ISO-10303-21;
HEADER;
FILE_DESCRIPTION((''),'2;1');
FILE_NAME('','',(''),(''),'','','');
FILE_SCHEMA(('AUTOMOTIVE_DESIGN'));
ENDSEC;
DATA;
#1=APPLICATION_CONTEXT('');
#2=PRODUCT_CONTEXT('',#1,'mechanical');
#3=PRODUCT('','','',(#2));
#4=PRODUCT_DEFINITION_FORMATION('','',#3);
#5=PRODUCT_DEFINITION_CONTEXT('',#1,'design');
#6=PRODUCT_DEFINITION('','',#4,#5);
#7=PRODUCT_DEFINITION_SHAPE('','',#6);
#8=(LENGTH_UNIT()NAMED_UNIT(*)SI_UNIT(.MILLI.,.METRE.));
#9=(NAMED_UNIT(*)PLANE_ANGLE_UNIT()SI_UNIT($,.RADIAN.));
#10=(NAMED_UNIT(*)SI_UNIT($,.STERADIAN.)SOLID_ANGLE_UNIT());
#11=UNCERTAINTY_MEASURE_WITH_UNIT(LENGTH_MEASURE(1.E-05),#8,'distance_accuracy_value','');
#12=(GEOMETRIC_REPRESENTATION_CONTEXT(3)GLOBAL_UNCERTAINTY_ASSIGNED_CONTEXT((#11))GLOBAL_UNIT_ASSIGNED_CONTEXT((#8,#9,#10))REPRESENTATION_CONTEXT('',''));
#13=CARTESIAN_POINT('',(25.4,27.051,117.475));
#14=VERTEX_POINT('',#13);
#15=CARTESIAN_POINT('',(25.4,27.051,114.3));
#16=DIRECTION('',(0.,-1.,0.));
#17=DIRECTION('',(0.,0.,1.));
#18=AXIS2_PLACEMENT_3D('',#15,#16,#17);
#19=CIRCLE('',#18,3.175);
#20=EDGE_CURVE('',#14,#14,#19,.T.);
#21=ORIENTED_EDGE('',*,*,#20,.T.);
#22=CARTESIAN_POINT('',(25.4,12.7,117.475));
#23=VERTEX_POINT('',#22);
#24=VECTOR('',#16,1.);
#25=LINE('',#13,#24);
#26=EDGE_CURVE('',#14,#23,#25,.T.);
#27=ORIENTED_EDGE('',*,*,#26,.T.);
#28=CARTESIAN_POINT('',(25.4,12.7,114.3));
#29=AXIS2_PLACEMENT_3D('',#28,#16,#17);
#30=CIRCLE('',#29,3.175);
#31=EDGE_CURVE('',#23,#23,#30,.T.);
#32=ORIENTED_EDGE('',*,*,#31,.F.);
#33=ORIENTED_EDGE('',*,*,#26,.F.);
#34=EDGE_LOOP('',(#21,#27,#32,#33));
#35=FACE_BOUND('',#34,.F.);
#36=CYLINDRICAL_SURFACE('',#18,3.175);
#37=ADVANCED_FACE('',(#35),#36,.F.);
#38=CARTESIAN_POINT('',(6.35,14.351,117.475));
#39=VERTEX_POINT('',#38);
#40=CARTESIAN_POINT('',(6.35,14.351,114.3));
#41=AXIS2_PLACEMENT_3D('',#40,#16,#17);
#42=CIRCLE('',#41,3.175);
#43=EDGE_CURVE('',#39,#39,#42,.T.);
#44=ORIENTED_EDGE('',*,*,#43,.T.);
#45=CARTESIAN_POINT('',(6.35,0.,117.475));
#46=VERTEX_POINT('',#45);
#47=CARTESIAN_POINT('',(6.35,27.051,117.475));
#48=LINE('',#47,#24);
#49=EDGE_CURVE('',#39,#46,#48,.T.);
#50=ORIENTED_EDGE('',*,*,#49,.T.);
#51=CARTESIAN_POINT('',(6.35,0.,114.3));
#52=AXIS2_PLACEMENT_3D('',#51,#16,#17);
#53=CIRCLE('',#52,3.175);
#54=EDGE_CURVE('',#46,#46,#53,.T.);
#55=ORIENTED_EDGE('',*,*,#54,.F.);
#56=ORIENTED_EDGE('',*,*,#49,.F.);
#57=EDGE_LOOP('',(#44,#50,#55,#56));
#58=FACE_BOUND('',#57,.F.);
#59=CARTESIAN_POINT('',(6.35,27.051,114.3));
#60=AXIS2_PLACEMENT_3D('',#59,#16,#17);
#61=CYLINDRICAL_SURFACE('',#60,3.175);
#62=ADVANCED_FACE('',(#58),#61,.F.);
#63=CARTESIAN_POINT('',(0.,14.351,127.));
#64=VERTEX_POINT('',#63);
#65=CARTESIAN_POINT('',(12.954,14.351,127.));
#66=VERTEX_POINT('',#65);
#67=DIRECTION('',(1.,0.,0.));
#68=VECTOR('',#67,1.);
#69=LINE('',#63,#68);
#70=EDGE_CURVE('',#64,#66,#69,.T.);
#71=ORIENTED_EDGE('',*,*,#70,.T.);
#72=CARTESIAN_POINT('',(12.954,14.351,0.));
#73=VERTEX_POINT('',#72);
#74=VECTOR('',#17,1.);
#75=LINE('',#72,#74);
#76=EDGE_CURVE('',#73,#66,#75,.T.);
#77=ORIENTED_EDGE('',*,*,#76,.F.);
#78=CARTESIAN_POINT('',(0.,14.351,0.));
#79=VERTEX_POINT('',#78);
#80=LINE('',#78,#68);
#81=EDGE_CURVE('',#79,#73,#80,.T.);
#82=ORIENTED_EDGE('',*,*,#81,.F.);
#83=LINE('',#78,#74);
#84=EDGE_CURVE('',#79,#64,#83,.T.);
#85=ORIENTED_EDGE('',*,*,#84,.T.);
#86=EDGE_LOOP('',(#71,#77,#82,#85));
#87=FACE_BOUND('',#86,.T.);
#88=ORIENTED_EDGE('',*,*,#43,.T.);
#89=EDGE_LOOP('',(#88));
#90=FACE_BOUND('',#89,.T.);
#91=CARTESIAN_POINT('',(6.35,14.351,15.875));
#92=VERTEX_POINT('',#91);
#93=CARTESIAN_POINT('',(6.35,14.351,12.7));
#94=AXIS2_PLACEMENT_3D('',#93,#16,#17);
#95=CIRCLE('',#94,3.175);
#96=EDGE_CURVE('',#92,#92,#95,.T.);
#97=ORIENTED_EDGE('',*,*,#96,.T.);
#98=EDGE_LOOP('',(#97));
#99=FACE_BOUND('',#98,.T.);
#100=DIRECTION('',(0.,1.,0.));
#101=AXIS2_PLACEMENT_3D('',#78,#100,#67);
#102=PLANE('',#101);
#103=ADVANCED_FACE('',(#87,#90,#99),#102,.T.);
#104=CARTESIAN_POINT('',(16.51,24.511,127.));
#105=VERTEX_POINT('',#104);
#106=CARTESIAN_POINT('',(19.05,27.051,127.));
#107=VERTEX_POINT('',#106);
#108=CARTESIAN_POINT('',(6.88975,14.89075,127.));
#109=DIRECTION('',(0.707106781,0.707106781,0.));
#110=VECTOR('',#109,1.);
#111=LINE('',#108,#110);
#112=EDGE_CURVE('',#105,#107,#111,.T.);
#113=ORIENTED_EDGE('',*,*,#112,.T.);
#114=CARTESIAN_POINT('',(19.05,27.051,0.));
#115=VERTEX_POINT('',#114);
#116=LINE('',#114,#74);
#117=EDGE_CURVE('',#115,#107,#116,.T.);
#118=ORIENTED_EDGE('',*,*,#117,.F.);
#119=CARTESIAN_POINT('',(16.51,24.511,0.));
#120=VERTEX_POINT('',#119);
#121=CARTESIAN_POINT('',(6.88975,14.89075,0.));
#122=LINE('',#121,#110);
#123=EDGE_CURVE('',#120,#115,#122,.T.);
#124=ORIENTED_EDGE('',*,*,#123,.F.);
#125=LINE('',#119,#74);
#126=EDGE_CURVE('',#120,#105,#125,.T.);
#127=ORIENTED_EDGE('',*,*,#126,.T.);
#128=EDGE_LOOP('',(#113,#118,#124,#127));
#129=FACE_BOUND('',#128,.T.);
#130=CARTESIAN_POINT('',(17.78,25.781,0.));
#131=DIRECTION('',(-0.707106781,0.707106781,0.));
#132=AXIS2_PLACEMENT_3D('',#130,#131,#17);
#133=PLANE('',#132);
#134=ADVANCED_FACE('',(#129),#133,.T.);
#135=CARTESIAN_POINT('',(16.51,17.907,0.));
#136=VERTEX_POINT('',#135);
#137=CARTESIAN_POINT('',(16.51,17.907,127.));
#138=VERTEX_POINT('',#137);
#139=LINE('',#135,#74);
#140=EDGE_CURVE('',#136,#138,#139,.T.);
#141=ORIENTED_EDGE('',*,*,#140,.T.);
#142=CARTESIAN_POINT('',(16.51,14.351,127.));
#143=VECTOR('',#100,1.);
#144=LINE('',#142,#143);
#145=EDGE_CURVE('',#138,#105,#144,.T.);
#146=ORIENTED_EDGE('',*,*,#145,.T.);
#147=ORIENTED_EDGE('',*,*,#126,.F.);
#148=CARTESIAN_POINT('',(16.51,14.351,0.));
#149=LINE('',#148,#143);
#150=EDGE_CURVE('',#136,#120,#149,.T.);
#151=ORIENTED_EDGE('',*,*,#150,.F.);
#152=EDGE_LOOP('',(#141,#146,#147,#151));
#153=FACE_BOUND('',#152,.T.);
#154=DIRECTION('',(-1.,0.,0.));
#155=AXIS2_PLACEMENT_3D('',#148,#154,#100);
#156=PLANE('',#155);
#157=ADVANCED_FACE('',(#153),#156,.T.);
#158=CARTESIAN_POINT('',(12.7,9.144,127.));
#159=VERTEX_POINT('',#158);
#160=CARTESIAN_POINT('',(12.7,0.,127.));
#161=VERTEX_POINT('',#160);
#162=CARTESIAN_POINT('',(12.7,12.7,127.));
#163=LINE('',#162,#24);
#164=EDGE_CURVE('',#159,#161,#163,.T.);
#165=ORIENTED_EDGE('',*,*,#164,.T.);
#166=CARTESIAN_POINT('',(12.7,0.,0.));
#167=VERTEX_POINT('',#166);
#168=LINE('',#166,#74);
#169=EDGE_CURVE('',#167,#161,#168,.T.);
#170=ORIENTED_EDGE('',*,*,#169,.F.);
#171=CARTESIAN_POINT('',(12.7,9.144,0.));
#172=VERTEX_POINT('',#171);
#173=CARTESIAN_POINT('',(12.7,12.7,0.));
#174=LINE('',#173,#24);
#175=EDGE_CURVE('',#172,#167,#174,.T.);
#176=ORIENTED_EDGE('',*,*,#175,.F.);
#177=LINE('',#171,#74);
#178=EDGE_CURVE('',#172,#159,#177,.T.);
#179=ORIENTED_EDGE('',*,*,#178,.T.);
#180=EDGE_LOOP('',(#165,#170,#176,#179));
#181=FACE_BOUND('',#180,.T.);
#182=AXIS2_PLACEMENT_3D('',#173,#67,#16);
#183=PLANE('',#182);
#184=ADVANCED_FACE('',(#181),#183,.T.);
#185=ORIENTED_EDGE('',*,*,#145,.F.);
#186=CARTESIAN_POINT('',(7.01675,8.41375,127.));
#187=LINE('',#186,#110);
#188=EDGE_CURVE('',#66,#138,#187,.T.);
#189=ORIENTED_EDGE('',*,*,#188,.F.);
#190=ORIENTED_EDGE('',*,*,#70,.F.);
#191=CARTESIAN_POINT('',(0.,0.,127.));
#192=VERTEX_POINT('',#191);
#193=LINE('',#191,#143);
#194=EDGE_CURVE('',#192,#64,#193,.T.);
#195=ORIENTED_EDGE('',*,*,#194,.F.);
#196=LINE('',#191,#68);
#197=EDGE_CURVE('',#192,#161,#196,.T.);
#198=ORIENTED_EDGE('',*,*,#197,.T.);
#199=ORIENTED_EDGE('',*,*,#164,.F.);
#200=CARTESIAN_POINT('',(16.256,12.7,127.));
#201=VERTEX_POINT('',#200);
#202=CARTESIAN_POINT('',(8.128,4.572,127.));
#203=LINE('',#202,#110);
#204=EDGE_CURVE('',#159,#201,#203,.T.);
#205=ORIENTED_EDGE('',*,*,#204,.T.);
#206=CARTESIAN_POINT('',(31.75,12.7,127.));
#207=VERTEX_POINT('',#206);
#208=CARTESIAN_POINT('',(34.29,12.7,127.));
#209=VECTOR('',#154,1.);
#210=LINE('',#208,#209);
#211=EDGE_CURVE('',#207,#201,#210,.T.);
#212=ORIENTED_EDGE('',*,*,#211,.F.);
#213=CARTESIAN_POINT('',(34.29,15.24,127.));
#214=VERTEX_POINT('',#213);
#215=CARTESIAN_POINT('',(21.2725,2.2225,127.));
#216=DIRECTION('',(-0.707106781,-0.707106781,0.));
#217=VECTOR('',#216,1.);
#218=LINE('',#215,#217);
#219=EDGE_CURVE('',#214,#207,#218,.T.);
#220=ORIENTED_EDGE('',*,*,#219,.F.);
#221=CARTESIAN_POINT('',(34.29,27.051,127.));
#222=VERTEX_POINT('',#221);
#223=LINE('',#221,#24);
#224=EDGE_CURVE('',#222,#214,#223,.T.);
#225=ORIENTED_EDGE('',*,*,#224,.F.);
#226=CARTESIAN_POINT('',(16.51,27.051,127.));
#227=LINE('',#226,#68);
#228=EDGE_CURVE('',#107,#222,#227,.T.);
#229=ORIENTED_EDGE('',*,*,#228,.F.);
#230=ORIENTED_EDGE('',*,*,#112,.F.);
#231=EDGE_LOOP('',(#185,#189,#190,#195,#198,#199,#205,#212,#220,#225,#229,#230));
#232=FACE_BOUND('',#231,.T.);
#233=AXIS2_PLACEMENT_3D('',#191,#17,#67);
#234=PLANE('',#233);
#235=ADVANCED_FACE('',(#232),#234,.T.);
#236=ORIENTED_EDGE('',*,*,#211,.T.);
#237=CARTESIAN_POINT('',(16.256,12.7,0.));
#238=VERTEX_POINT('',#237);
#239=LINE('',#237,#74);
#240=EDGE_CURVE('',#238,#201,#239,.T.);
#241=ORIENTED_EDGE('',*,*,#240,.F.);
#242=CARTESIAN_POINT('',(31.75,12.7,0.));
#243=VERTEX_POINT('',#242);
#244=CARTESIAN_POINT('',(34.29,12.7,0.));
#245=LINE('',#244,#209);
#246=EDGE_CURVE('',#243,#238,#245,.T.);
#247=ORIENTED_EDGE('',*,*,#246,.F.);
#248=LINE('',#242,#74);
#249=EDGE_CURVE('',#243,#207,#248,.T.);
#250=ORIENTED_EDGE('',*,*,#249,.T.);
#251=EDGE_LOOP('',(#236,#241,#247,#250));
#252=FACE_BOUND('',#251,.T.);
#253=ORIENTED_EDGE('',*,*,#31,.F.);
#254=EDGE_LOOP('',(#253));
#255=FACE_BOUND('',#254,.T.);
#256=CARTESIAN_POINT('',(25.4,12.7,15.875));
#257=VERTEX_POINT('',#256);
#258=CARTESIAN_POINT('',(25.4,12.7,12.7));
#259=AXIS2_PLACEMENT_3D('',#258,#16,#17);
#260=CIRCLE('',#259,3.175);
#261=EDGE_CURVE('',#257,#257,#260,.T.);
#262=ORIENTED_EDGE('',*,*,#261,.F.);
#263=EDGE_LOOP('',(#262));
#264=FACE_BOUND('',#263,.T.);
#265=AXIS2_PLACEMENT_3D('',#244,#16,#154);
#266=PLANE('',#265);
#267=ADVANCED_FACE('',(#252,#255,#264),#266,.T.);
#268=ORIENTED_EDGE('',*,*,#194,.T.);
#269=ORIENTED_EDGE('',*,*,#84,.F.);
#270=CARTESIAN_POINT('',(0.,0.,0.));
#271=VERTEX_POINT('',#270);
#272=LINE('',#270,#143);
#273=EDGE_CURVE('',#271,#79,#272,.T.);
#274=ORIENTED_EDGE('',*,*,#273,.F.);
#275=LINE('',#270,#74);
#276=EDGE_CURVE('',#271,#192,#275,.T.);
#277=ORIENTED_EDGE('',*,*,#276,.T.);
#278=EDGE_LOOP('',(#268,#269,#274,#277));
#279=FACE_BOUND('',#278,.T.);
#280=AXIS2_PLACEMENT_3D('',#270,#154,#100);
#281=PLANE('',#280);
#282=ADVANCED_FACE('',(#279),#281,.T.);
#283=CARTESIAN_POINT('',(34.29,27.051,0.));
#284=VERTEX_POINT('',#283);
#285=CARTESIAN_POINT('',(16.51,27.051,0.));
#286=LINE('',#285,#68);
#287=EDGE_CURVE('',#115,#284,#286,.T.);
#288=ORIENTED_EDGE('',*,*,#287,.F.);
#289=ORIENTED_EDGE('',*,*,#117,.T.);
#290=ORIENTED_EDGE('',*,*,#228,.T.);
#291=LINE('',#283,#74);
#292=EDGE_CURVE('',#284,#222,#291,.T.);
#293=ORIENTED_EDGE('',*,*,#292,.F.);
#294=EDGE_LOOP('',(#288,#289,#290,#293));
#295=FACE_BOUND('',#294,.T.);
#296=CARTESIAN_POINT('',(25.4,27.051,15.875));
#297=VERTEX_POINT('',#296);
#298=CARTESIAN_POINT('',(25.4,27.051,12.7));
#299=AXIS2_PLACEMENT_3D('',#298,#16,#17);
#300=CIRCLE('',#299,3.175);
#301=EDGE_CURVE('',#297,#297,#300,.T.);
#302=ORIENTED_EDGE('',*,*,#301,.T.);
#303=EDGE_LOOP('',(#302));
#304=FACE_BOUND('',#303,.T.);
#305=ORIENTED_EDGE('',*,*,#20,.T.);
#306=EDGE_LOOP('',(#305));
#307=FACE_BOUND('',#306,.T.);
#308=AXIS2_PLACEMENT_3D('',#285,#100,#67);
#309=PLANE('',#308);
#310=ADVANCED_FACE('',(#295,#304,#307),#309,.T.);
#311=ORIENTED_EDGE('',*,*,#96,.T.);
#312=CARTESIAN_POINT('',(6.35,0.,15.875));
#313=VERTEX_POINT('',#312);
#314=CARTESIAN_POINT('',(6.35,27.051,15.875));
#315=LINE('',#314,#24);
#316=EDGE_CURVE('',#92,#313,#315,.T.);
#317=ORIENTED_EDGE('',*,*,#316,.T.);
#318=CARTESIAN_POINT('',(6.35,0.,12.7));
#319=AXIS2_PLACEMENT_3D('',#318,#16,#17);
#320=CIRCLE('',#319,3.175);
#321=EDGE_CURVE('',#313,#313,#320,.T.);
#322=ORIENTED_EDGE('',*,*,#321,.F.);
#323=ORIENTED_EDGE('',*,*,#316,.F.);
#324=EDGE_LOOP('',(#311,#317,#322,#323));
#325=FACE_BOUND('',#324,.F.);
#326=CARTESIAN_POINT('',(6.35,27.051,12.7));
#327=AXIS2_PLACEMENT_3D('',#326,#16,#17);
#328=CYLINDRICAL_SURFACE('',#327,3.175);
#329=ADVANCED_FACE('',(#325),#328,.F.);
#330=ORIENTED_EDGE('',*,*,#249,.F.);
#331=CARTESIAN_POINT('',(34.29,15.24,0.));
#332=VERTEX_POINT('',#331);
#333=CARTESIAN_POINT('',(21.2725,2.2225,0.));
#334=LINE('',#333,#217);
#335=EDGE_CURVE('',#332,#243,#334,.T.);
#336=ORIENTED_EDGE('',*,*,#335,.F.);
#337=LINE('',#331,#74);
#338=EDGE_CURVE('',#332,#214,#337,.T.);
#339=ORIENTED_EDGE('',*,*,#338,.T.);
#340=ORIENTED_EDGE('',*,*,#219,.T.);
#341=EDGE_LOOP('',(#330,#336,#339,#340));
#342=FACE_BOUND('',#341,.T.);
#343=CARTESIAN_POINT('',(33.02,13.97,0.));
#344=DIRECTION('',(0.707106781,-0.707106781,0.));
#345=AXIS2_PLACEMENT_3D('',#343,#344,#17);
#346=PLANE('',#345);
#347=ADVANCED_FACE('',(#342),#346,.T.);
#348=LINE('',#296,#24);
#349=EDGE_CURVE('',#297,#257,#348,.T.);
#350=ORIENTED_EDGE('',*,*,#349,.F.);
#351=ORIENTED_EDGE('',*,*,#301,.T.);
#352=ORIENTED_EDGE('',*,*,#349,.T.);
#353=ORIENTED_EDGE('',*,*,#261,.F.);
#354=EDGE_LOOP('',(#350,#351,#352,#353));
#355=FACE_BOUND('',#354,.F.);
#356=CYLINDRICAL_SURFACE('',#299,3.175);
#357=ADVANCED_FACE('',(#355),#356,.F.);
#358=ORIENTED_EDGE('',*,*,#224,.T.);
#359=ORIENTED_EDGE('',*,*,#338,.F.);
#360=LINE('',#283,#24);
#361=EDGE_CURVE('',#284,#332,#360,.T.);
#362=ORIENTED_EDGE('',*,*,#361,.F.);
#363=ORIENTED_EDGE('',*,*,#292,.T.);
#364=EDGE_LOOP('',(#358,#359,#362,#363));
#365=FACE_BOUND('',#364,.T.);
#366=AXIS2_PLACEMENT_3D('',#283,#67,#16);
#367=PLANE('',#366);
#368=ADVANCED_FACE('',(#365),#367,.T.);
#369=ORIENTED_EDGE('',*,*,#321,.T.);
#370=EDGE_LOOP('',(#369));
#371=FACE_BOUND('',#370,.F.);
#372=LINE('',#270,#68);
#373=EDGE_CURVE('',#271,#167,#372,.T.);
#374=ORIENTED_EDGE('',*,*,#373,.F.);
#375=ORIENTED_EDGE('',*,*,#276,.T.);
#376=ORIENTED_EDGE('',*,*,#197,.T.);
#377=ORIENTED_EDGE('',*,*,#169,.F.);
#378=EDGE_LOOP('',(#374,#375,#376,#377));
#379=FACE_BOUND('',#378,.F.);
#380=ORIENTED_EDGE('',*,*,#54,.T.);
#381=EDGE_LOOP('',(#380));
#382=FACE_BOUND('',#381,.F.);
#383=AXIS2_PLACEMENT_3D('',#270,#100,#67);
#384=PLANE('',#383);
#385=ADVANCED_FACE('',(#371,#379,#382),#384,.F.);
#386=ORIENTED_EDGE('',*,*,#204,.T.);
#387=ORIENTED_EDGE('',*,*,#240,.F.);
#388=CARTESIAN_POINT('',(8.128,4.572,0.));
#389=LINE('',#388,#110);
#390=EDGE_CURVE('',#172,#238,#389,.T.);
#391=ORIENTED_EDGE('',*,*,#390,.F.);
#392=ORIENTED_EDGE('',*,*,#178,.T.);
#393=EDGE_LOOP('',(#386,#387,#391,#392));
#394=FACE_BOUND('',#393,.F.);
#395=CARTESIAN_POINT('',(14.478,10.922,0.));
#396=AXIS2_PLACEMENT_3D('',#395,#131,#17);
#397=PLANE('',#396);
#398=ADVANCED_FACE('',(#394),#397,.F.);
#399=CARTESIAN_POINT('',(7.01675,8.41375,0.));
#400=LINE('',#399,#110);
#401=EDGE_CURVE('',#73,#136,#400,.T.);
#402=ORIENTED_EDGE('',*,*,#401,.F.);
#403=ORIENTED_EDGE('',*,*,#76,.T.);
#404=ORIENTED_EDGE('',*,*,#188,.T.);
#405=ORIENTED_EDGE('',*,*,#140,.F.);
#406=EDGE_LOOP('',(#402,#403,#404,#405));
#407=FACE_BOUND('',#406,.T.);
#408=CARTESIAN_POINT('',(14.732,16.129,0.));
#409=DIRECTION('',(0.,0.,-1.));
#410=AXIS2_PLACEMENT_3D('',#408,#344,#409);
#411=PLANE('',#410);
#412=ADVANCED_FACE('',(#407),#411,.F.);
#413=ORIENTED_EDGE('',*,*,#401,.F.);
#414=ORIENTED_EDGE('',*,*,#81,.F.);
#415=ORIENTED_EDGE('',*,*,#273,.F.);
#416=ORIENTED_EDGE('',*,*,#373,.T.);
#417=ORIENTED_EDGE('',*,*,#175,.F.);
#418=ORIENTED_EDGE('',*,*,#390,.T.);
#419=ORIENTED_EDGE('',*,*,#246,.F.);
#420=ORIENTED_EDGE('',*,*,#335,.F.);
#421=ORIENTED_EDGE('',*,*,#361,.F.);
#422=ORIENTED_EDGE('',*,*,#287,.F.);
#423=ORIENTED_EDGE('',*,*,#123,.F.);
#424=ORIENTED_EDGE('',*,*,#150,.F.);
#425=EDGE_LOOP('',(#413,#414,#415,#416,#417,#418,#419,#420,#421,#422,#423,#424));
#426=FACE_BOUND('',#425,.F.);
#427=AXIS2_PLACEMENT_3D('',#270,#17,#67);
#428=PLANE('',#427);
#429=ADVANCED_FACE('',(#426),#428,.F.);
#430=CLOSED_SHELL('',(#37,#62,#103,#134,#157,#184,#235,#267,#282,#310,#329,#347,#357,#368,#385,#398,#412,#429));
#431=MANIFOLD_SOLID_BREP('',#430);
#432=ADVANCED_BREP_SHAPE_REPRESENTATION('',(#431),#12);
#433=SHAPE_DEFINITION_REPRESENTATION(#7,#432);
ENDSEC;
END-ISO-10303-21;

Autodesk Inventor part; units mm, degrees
ref_plane "YZ Plane" through (0, 0, 0) normal (1, 0, 0) x (0, 1, 0)
ref_plane "XZ Plane" through (0, 0, 0) normal (0, 1, 0) x (-1, 0, 0)
ref_plane "XY Plane" through (0, 0, 0) normal (0, 0, 1) x (1, 0, 0)
sketch "Sketch1" plane through (0, 0, 0) normal (0, 0, 1) x (1, 0, 0)
  line L0 (0, 0) -> (0, 14.351)
  line L1 (0, 0) -> (14.351, 0) construction
  line L2 (0, 14.351) -> (16.51, 14.351)
  line L3 (16.51, 14.351) -> (16.51, 27.051)
  line L4 (16.51, 27.051) -> (34.29, 27.051)
  line L5 (34.29, 27.051) -> (34.29, 12.7)
  line L6 (34.29, 12.7) -> (12.7, 12.7)
  line L7 (12.7, 12.7) -> (12.7, 0)
  line L8 (0, 0) -> (12.7, 0)
  dimension "d0" = 14.351
  dimension "d2" = 16.51
  dimension "d6" = 17.78
  dimension "d9" = 21.59
  dimension "d47" = 14.351
  dimension "d49" = 12.7
extrude "Extrusion1" add sketch "Sketch1" along normal blind 127
sketch "Sketch3" plane through (16.51, 27.051, 0) normal (0, 1, 0) x (1, 0, 0)
  line L0 (0, -127) -> (-16.51, -127) projected
  line L1 (-16.51, 0) -> (0, 0) projected
  line L2 (-16.51, 0) -> (-16.51, -127) projected
  point P0 (-10.16, -12.7)
  point P1 (-10.16, -114.3)
  dimension "d25" = 12.7
  dimension "d26" = 12.7
  dimension "d27" = 6.35
  dimension "d28" = 6.35
hole "Hole2" at (6.35, 27.051, 12.7) at (6.35, 27.051, 114.3) direction (0, -1, 0) diameter 6.35 end through all
sketch "Sketch4" plane through (16.51, 27.051, 0) normal (0, 1, 0) x (1, 0, 0)
  line L0 (17.78, 0) -> (17.78, -127) projected
  line L1 (17.78, -127) -> (0, -127) projected
  line L2 (0, 0) -> (17.78, 0) projected
  line L3 (0, 0) -> (0, -127) projected
  point P0 (-16.51, 0)
  point P1 (8.89, -12.7)
  point P2 (8.89, -114.3)
  dimension "d36" = 8.89
  dimension "d37" = 12.7
  dimension "d38" = 12.7
  dimension "d48" = 17.78
hole "Hole3" at (25.4, 27.051, 12.7) at (25.4, 27.051, 114.3) direction (0, -1, 0) diameter 6.35 end through all
chamfer "Chamfer1" distance 3.556 angle 45 2 edges at (16.51, 14.351, 63.5) (12.7, 12.7, 63.5)
chamfer "Chamfer2" distance 2.54 angle 45 2 edges at (34.29, 12.7, 63.5) (16.51, 27.051, 63.5)
equation "\"d0\" = d47"
equation "\"d26\" = d25"
equation "\"d28\" = d27"
equation "\"d36\" = 0.5 * d48"
equation "\"d38\" = d37"
properties part number "Block_3-8" material "Aluminum 6061"
